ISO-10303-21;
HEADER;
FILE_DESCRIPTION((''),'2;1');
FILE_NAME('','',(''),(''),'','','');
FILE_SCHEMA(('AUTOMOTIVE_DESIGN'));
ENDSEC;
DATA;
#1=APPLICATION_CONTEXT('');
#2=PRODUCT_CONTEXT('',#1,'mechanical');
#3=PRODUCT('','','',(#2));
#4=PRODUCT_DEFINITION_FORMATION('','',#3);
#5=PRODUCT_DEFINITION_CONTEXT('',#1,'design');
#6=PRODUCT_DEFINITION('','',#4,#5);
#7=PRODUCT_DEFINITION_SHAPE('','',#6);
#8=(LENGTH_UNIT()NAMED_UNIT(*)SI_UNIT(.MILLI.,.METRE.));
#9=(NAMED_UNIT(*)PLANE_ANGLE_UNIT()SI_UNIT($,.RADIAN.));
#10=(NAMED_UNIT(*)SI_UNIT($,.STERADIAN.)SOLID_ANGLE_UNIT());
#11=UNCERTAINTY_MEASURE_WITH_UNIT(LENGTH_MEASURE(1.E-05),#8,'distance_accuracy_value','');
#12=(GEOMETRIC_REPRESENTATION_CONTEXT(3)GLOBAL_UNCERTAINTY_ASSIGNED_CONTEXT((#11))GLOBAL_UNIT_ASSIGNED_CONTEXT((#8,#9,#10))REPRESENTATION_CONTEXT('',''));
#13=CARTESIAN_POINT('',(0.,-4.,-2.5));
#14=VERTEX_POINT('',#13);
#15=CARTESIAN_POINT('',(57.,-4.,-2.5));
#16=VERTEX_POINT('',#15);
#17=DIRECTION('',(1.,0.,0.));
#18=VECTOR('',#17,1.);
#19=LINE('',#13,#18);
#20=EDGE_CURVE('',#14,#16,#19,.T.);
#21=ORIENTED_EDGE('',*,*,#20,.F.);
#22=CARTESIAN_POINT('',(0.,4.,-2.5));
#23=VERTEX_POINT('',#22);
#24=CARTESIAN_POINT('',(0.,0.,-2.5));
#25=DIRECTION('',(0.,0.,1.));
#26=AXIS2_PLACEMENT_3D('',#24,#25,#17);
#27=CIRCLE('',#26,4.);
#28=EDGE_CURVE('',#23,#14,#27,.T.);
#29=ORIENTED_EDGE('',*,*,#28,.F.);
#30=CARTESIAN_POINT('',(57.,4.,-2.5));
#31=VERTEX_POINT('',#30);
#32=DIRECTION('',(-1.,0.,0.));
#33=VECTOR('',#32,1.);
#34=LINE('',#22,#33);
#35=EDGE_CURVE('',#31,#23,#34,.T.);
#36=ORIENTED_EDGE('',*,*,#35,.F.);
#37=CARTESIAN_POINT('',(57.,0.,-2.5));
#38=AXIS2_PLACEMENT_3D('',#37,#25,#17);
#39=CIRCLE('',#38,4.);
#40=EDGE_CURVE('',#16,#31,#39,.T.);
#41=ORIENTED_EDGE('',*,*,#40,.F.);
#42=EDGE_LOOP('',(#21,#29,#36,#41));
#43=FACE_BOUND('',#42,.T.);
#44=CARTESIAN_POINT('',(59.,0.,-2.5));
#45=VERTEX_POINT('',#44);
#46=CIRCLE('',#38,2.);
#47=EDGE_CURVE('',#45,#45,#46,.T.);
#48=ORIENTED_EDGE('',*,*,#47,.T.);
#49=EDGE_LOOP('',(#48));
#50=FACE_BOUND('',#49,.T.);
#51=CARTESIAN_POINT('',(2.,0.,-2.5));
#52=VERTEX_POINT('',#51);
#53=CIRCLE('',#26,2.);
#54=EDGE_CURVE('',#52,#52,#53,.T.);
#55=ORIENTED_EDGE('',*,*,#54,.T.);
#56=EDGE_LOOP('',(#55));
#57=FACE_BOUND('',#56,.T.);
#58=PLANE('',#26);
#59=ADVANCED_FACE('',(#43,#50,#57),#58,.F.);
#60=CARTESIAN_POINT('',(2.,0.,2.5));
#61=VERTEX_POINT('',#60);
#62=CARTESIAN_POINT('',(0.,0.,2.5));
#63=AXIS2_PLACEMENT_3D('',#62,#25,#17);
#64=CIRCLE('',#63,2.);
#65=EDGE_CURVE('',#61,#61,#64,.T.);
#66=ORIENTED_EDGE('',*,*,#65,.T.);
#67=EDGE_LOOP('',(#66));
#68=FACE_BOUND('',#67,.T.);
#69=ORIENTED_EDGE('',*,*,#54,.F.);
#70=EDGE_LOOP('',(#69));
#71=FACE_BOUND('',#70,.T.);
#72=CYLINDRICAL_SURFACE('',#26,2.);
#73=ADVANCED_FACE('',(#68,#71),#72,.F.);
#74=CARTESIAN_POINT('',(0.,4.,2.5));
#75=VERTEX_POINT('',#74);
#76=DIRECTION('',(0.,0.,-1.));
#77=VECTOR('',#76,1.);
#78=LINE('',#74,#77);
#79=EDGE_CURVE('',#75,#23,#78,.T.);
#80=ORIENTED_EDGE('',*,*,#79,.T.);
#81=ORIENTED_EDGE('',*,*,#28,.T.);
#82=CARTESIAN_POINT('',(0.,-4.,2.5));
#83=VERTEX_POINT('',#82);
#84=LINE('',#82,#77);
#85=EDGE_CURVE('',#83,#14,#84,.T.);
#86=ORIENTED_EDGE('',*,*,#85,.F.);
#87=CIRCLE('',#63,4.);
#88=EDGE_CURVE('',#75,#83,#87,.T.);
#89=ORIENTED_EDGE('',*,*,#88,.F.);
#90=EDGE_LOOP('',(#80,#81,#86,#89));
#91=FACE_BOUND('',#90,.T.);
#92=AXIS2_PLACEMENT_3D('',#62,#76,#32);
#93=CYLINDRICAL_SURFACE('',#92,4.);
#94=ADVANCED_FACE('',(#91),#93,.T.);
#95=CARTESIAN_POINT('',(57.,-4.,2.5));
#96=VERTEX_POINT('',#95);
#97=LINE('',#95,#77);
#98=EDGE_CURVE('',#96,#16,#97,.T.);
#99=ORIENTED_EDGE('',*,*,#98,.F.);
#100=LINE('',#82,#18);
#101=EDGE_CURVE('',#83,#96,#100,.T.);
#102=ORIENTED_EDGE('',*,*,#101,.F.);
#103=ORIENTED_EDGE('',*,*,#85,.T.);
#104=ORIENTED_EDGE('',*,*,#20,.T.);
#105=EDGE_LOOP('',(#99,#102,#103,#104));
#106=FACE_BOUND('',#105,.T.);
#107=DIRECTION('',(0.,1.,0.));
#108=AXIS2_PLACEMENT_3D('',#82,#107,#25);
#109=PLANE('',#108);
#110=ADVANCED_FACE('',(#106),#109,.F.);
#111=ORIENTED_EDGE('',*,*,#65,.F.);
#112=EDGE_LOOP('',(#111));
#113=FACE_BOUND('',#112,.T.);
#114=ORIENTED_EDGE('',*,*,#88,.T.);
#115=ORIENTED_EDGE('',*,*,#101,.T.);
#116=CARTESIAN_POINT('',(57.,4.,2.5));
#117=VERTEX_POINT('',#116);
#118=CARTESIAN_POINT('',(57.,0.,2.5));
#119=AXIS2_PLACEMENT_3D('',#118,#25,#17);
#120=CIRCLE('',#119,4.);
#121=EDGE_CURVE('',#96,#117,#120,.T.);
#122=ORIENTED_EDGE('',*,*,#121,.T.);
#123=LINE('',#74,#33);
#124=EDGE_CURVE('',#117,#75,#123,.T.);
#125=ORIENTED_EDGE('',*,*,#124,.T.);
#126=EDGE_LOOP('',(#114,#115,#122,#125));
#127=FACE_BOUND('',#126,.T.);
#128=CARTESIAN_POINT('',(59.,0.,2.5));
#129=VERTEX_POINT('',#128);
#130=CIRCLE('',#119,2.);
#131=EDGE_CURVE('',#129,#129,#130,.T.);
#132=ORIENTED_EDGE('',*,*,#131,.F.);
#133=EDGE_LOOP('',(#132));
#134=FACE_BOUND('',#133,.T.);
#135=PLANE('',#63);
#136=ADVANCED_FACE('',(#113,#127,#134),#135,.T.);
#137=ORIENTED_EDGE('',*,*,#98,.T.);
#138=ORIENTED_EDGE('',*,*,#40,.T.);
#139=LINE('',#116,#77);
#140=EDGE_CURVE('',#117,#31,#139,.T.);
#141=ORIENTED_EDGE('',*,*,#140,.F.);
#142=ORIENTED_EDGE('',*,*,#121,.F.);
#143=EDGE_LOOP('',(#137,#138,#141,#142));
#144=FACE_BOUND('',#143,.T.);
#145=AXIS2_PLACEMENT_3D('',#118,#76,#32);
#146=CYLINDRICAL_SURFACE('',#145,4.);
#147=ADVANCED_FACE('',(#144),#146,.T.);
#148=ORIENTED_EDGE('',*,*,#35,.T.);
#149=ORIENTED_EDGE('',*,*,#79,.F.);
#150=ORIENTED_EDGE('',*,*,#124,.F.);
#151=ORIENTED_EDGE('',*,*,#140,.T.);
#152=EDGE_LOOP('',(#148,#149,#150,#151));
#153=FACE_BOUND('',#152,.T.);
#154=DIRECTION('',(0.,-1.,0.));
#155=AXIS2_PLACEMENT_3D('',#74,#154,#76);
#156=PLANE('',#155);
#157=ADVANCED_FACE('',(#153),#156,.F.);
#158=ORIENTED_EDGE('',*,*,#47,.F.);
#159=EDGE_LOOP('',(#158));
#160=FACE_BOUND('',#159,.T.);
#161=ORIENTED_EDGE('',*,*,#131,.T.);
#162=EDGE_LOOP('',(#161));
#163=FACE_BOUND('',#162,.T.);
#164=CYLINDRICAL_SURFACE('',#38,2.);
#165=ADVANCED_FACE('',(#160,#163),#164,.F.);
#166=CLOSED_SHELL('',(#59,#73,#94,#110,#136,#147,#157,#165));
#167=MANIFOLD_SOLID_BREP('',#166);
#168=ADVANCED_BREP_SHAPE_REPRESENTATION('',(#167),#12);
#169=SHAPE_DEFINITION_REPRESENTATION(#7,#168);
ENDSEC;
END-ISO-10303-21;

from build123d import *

# Parameters (mm, degrees)
BOSS_EXTRUDE1_DEPTH = 2.5
SKETCH2_R           = 2
CUT_EXTRUDE1_DEPTH  = 62.335144901


with BuildPart() as part:
    # Sketch1 → Boss-Extrude1 (new, symmetric)
    with BuildSketch(Plane.XY):
        with BuildLine():
            Line((0, 4), (57, 4))
            ThreePointArc((57, 4), (61, 0), (57, -4))
            Line((57, -4), (0, -4))
            ThreePointArc((0, -4), (-4, 0), (0, 4))
        make_face()
    extrude(amount=BOSS_EXTRUDE1_DEPTH, both=True)

    # Sketch2 → Cut-Extrude1 (cut, through all)
    with BuildSketch(Plane.XY.offset(2.5)):
        with Locations((57, 0)):
            Circle(SKETCH2_R)
        Circle(SKETCH2_R)
    extrude(amount=-CUT_EXTRUDE1_DEPTH, mode=Mode.SUBTRACT)


solid = part.part
